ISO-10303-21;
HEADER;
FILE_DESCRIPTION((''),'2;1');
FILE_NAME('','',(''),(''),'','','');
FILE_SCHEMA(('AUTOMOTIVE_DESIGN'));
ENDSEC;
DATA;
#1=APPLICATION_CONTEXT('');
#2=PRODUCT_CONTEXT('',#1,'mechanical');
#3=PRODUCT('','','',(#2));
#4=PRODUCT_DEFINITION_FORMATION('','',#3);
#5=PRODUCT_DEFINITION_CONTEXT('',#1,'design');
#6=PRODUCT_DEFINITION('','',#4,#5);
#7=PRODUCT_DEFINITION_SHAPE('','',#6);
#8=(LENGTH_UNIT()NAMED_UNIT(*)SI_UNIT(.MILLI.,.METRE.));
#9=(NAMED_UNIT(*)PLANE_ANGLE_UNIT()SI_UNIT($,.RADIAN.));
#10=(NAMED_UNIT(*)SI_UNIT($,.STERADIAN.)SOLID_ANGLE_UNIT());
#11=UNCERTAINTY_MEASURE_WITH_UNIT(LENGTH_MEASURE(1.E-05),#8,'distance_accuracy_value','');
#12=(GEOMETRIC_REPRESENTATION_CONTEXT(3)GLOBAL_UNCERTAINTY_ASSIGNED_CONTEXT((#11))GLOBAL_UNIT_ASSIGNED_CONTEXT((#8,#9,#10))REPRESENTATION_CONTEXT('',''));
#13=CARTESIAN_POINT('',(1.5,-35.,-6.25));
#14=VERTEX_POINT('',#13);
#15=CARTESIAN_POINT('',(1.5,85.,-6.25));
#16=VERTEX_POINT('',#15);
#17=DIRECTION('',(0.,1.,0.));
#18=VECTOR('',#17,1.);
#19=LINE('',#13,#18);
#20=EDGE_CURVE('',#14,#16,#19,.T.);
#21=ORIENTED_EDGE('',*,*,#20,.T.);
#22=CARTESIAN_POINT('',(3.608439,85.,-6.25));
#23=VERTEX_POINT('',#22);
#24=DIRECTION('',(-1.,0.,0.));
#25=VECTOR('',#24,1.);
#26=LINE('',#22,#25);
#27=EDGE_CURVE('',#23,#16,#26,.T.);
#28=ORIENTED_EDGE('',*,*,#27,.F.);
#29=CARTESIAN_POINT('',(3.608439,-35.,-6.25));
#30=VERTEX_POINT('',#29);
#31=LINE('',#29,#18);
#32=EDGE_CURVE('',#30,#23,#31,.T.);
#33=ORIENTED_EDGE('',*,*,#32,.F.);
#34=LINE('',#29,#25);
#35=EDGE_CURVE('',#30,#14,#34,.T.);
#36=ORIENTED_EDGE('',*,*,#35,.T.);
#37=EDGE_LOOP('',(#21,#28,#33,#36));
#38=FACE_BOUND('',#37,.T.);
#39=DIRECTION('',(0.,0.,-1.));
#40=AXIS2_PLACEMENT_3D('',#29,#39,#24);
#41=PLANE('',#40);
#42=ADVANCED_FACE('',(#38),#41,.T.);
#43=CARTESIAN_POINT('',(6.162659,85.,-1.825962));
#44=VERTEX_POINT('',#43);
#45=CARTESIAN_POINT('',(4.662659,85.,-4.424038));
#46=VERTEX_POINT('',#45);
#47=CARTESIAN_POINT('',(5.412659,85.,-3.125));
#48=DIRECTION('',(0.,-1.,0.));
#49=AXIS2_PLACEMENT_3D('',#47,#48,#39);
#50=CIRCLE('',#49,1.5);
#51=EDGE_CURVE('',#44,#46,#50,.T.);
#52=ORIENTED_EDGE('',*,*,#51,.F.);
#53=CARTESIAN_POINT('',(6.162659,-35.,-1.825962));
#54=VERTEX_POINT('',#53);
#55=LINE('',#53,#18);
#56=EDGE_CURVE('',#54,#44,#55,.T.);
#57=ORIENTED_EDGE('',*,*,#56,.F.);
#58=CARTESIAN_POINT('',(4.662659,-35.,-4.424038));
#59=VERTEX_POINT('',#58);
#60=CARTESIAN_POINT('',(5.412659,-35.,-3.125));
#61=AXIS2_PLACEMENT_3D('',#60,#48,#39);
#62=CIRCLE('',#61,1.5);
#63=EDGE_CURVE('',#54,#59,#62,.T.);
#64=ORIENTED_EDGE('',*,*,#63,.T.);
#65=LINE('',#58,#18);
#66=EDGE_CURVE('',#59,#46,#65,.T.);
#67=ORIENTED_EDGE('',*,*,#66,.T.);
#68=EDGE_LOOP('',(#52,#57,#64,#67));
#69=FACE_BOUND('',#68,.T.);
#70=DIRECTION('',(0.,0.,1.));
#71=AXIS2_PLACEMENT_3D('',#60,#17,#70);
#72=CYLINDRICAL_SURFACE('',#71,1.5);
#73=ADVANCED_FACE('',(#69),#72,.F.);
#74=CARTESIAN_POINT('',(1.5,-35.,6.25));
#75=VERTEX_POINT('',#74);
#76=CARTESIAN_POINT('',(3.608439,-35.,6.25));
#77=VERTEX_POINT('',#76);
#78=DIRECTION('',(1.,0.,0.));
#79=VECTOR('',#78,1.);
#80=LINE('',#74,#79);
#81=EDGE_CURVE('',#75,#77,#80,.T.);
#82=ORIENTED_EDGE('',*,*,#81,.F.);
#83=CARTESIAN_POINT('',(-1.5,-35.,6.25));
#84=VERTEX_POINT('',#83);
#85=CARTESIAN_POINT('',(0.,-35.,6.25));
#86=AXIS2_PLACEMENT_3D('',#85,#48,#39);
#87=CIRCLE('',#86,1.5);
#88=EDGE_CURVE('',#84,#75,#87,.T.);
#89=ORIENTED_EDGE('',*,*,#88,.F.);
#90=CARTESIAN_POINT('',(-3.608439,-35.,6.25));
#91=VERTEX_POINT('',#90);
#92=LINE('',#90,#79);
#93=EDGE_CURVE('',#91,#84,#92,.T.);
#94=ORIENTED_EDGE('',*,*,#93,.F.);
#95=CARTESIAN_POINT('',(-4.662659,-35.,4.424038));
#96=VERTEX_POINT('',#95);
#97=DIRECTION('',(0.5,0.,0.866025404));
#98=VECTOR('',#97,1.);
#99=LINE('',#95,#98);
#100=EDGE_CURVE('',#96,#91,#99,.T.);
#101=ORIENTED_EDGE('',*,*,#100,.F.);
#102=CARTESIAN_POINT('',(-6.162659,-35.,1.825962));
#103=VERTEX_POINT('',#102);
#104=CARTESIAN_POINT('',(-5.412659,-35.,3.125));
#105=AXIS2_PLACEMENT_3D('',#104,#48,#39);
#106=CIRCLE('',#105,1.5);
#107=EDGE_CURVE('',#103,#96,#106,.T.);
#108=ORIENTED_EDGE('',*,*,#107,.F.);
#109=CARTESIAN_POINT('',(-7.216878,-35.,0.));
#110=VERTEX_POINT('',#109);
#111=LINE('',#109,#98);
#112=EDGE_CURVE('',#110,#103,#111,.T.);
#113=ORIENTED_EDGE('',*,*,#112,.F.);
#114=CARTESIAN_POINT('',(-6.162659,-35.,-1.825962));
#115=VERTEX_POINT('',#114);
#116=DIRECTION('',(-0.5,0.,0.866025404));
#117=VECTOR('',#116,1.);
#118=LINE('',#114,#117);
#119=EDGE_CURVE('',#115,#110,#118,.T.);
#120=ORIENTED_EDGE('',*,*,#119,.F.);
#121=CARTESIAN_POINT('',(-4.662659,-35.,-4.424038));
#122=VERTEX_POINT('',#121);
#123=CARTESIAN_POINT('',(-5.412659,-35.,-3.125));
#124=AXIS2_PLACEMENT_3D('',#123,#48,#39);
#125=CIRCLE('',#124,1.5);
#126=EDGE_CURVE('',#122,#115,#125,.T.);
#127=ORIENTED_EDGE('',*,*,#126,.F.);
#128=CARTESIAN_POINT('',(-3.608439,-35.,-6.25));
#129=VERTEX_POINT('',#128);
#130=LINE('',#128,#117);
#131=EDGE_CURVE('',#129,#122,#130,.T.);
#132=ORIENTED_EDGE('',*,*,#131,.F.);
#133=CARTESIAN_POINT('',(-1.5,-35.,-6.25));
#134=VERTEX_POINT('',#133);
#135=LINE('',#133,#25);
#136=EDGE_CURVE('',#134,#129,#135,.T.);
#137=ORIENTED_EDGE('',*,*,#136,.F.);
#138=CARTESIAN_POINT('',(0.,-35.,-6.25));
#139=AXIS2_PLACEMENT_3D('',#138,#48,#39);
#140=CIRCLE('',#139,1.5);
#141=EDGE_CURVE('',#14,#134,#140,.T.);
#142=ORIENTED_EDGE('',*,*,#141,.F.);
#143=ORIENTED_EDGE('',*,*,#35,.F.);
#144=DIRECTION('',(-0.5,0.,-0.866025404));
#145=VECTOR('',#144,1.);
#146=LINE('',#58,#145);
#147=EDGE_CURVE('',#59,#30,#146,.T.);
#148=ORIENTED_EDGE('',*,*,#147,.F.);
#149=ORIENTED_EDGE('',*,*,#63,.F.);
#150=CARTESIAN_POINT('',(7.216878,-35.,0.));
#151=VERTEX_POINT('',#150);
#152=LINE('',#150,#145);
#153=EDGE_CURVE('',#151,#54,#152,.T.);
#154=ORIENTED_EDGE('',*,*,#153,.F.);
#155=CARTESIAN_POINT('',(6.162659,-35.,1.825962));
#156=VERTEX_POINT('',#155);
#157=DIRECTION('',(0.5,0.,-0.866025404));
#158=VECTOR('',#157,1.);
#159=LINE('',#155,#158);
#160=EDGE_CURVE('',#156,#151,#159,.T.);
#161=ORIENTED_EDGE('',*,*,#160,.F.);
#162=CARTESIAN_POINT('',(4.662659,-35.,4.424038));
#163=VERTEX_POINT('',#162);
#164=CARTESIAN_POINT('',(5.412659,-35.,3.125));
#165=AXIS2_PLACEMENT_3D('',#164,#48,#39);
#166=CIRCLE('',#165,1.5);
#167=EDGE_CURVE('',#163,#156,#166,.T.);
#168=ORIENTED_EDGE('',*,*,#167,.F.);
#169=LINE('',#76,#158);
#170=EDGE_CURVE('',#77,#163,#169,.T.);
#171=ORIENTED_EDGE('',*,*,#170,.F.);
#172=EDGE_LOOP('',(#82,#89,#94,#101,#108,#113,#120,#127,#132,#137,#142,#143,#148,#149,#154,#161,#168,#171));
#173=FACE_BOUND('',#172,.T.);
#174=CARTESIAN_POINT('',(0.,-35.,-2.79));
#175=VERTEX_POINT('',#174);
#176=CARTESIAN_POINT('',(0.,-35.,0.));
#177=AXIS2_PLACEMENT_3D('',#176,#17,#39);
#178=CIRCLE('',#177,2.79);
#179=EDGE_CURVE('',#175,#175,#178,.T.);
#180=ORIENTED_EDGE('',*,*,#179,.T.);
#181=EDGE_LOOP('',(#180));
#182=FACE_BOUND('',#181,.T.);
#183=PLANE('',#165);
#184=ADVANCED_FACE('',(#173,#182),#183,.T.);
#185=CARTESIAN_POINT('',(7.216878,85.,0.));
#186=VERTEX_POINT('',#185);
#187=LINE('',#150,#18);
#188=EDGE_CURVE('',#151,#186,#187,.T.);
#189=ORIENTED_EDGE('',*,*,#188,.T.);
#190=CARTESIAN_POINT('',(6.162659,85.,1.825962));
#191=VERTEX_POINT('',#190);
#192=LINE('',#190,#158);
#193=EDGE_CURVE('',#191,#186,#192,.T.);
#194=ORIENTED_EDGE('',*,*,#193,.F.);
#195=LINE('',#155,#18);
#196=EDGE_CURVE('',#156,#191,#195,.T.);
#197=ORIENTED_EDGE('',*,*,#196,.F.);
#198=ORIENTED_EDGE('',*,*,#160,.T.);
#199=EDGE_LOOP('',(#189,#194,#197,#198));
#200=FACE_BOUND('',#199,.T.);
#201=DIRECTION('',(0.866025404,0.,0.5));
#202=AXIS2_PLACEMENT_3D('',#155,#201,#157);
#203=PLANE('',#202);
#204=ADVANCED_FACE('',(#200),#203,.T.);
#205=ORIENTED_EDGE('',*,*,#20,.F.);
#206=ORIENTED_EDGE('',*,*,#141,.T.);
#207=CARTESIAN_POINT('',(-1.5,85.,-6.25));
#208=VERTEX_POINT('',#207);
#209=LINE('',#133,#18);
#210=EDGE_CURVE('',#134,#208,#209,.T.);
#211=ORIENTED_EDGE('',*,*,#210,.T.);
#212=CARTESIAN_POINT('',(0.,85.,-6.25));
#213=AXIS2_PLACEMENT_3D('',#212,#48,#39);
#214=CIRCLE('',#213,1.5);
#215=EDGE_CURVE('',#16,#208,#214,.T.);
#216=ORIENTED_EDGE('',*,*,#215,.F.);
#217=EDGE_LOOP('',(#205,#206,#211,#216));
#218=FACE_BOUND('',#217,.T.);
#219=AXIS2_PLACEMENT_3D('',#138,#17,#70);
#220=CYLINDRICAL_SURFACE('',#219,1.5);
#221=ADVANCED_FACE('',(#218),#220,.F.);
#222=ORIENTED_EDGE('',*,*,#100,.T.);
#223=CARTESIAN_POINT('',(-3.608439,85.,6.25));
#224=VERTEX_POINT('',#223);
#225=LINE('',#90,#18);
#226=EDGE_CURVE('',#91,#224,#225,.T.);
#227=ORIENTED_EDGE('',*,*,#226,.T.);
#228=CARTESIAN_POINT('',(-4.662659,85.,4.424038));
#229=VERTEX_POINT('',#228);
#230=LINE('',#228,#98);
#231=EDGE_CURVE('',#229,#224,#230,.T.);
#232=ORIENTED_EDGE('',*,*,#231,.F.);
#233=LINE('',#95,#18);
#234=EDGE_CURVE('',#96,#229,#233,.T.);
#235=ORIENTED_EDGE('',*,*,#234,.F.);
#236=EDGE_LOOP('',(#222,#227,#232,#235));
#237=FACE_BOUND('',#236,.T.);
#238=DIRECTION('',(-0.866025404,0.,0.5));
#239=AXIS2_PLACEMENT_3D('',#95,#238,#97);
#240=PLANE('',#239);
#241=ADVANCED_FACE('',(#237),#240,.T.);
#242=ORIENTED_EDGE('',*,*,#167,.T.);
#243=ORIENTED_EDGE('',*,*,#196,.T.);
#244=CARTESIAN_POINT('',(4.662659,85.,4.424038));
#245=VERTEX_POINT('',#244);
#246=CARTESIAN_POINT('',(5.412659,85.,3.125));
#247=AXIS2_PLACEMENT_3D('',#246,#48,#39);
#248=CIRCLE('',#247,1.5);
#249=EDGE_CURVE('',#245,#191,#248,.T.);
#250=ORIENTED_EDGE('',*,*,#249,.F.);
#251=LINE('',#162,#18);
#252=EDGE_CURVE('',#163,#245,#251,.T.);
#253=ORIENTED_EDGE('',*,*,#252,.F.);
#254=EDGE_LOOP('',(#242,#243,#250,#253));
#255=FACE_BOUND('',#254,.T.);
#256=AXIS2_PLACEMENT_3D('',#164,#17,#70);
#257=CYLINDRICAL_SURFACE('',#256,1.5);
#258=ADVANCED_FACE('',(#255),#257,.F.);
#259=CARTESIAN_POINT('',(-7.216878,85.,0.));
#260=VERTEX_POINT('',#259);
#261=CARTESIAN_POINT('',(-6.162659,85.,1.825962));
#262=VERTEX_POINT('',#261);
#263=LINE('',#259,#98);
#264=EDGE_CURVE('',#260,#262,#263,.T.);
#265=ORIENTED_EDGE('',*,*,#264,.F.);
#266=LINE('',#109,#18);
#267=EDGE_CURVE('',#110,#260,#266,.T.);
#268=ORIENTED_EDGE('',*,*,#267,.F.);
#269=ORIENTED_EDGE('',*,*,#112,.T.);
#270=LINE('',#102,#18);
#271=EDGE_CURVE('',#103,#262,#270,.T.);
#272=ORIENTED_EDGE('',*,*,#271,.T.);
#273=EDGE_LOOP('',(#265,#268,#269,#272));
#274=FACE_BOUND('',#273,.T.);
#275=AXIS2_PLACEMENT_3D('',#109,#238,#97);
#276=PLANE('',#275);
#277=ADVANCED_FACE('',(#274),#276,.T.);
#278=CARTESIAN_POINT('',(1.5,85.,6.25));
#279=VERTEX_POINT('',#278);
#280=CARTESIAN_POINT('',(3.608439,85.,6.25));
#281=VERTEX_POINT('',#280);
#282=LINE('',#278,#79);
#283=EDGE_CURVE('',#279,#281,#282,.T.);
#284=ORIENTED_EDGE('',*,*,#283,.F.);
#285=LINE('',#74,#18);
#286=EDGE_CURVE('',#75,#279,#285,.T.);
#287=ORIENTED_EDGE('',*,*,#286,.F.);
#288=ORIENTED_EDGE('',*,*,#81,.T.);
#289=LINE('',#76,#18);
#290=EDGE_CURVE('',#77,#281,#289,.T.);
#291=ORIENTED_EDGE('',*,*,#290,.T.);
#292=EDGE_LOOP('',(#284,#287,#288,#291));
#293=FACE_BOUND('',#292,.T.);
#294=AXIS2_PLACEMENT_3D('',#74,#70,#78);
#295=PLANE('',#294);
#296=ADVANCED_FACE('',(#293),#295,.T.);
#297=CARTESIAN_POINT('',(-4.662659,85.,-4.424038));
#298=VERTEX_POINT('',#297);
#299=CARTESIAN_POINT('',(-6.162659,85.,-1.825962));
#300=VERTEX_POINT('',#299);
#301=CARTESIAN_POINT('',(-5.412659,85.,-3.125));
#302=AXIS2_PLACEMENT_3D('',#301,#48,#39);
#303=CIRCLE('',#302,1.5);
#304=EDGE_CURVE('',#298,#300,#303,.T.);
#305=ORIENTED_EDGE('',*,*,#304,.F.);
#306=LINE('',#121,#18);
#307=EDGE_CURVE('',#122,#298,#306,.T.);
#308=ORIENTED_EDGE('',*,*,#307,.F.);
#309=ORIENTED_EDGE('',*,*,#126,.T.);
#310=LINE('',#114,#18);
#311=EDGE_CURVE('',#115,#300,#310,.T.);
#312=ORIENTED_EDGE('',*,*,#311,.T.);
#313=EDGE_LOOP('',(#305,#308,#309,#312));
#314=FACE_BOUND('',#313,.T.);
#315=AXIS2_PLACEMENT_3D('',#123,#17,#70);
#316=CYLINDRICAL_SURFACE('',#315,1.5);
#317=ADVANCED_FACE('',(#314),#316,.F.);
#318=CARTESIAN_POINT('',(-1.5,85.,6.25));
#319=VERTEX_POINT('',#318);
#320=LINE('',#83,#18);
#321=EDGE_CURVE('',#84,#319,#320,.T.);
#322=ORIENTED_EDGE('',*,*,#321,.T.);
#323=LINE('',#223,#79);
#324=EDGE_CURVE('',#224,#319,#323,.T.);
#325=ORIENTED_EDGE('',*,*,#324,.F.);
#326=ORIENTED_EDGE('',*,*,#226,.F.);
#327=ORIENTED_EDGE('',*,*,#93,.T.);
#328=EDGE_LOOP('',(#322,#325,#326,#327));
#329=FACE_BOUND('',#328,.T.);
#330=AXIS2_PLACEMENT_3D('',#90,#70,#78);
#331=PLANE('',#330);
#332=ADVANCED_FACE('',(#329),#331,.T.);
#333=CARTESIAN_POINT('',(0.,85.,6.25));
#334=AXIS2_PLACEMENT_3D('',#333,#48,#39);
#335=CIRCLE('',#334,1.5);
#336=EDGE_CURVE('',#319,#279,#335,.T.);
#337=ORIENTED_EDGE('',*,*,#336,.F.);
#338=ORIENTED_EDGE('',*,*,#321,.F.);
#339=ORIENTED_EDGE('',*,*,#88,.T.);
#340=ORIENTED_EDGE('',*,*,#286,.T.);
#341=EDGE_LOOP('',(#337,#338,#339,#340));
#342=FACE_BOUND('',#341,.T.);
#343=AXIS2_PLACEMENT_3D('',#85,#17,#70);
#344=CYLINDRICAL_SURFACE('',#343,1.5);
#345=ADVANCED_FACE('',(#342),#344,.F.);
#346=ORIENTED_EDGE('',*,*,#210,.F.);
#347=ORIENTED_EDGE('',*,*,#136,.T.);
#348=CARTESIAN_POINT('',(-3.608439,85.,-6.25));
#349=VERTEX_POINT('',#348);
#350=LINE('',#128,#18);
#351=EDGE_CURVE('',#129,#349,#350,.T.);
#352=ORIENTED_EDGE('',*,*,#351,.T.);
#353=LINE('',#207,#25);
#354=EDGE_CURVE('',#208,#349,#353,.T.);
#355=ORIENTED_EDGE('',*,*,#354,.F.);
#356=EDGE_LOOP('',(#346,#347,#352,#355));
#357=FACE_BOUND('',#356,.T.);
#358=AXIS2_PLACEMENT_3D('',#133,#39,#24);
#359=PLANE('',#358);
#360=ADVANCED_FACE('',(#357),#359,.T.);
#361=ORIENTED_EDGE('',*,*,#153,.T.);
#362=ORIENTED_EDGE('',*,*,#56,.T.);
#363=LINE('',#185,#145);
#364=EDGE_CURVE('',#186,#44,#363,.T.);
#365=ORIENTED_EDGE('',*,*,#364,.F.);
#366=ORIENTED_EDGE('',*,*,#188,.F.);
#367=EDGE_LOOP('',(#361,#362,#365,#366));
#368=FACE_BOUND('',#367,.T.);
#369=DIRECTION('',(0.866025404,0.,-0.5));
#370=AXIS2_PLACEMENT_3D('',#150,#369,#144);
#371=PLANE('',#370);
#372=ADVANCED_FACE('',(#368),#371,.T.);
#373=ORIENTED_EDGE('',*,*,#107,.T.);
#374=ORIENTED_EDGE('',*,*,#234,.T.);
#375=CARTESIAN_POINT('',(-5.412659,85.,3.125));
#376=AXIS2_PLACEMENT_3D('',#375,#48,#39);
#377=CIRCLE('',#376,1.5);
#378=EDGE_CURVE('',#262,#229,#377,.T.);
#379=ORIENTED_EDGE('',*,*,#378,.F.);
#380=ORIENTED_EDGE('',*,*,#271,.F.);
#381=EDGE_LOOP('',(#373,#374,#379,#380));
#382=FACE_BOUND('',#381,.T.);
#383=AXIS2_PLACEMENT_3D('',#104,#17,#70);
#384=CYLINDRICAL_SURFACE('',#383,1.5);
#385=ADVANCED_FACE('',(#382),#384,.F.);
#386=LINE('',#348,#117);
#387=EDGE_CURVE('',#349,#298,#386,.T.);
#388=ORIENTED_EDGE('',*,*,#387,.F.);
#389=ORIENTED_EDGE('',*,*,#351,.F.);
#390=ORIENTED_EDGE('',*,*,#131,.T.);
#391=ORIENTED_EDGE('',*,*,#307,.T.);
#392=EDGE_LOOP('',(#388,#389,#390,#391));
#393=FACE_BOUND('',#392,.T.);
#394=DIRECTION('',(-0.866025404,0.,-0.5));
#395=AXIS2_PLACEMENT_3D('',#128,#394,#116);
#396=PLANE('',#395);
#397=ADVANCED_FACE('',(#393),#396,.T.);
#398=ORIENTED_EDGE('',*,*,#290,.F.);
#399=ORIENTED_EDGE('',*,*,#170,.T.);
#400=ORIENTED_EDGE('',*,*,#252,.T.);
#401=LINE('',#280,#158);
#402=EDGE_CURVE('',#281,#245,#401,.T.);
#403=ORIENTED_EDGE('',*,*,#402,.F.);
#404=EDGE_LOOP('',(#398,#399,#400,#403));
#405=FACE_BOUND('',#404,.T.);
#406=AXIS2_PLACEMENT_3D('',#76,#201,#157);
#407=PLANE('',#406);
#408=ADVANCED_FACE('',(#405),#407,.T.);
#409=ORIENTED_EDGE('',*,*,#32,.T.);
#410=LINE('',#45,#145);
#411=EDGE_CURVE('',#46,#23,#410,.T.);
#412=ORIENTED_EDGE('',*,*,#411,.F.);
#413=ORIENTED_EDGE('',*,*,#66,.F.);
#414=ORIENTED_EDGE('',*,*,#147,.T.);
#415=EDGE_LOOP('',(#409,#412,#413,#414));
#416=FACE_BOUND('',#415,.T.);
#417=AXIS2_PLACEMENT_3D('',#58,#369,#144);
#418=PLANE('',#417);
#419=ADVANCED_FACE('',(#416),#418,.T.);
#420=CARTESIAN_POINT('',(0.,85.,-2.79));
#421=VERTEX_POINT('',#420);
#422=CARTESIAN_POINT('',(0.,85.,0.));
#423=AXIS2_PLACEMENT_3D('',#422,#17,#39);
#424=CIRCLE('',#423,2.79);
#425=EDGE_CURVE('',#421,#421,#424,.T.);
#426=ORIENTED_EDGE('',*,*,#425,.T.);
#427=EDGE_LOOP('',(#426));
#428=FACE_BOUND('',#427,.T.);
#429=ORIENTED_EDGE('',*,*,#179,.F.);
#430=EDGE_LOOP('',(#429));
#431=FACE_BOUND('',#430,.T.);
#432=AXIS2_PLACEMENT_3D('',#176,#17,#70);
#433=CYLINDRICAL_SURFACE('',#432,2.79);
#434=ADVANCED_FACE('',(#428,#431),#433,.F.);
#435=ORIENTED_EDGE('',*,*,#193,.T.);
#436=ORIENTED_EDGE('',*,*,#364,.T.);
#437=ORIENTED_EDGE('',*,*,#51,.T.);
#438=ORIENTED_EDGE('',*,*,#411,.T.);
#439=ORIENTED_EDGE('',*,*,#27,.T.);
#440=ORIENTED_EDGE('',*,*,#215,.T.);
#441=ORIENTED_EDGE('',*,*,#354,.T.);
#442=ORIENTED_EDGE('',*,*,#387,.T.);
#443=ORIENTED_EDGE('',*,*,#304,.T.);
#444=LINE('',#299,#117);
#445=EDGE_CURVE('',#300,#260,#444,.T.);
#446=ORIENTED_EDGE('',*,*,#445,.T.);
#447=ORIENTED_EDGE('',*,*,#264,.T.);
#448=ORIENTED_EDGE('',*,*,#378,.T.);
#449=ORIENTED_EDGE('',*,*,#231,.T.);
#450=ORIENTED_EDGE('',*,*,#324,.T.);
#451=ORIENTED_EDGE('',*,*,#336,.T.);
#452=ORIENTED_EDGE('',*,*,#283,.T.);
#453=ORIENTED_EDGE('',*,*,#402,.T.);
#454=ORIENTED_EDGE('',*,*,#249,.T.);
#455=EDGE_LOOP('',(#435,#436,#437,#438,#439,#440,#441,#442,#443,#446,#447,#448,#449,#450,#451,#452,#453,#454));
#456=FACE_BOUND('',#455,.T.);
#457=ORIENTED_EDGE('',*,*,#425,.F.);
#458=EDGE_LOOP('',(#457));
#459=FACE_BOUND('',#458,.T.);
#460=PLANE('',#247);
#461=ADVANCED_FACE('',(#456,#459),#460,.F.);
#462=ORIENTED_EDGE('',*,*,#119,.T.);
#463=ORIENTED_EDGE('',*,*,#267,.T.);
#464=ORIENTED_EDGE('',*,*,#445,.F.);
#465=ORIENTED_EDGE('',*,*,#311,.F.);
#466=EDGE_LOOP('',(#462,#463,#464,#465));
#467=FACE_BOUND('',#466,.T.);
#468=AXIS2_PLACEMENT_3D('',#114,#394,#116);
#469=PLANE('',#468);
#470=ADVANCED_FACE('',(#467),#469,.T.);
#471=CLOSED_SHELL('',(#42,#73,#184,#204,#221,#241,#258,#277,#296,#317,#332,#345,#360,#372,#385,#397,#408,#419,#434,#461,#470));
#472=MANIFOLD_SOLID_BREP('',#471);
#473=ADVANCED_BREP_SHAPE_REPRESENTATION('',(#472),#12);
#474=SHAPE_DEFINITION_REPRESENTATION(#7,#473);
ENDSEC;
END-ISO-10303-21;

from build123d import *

# Parameters (mm, degrees)
ESBO_O1_R                = 2.79
RESSALTO_EXTRUS_O1_DEPTH = 120


with BuildPart() as part:
    # Esboço1 → Ressalto-extrusão1 (new body)
    with BuildSketch(Plane(origin=(0, 85, 0), x_dir=(1, 0, 0), z_dir=(0, 1, 0))):
        with BuildLine():
            Line((6.162658774, -1.825961894), (7.216878365, 0))
            Line((7.216878365, 0), (6.162658774, 1.825961894))
            ThreePointArc((6.162658774, 1.825961894), (4.113620668, 2.375), (4.662658774, 4.424038106))
            Line((4.662658774, 4.424038106), (3.608439182, 6.25))
            Line((3.608439182, 6.25), (1.5, 6.25))
            ThreePointArc((1.5, 6.25), (0, 4.75), (-1.5, 6.25))
            Line((-1.5, 6.25), (-3.608439182, 6.25))
            Line((-3.608439182, 6.25), (-4.662658774, 4.424038106))
            ThreePointArc((-4.662658774, 4.424038106), (-4.113620668, 2.375), (-6.162658774, 1.825961894))
            Line((-6.162658774, 1.825961894), (-7.216878365, 0))
            Line((-7.216878365, 0), (-6.162658774, -1.825961894))
            ThreePointArc((-6.162658774, -1.825961894), (-4.113620668, -2.375), (-4.662658774, -4.424038106))
            Line((-4.662658774, -4.424038106), (-3.608439182, -6.25))
            Line((-3.608439182, -6.25), (-1.5, -6.25))
            ThreePointArc((-1.5, -6.25), (0, -4.75), (1.5, -6.25))
            Line((1.5, -6.25), (3.608439182, -6.25))
            Line((3.608439182, -6.25), (4.662658774, -4.424038106))
            ThreePointArc((4.662658774, -4.424038106), (4.113620668, -2.375), (6.162658774, -1.825961894))
        make_face()
        with Locations(Location((0, 0, 0), (0, 0, 90))):
            Circle(ESBO_O1_R, mode=Mode.SUBTRACT)
    extrude(amount=-RESSALTO_EXTRUS_O1_DEPTH)


solid = part.part
